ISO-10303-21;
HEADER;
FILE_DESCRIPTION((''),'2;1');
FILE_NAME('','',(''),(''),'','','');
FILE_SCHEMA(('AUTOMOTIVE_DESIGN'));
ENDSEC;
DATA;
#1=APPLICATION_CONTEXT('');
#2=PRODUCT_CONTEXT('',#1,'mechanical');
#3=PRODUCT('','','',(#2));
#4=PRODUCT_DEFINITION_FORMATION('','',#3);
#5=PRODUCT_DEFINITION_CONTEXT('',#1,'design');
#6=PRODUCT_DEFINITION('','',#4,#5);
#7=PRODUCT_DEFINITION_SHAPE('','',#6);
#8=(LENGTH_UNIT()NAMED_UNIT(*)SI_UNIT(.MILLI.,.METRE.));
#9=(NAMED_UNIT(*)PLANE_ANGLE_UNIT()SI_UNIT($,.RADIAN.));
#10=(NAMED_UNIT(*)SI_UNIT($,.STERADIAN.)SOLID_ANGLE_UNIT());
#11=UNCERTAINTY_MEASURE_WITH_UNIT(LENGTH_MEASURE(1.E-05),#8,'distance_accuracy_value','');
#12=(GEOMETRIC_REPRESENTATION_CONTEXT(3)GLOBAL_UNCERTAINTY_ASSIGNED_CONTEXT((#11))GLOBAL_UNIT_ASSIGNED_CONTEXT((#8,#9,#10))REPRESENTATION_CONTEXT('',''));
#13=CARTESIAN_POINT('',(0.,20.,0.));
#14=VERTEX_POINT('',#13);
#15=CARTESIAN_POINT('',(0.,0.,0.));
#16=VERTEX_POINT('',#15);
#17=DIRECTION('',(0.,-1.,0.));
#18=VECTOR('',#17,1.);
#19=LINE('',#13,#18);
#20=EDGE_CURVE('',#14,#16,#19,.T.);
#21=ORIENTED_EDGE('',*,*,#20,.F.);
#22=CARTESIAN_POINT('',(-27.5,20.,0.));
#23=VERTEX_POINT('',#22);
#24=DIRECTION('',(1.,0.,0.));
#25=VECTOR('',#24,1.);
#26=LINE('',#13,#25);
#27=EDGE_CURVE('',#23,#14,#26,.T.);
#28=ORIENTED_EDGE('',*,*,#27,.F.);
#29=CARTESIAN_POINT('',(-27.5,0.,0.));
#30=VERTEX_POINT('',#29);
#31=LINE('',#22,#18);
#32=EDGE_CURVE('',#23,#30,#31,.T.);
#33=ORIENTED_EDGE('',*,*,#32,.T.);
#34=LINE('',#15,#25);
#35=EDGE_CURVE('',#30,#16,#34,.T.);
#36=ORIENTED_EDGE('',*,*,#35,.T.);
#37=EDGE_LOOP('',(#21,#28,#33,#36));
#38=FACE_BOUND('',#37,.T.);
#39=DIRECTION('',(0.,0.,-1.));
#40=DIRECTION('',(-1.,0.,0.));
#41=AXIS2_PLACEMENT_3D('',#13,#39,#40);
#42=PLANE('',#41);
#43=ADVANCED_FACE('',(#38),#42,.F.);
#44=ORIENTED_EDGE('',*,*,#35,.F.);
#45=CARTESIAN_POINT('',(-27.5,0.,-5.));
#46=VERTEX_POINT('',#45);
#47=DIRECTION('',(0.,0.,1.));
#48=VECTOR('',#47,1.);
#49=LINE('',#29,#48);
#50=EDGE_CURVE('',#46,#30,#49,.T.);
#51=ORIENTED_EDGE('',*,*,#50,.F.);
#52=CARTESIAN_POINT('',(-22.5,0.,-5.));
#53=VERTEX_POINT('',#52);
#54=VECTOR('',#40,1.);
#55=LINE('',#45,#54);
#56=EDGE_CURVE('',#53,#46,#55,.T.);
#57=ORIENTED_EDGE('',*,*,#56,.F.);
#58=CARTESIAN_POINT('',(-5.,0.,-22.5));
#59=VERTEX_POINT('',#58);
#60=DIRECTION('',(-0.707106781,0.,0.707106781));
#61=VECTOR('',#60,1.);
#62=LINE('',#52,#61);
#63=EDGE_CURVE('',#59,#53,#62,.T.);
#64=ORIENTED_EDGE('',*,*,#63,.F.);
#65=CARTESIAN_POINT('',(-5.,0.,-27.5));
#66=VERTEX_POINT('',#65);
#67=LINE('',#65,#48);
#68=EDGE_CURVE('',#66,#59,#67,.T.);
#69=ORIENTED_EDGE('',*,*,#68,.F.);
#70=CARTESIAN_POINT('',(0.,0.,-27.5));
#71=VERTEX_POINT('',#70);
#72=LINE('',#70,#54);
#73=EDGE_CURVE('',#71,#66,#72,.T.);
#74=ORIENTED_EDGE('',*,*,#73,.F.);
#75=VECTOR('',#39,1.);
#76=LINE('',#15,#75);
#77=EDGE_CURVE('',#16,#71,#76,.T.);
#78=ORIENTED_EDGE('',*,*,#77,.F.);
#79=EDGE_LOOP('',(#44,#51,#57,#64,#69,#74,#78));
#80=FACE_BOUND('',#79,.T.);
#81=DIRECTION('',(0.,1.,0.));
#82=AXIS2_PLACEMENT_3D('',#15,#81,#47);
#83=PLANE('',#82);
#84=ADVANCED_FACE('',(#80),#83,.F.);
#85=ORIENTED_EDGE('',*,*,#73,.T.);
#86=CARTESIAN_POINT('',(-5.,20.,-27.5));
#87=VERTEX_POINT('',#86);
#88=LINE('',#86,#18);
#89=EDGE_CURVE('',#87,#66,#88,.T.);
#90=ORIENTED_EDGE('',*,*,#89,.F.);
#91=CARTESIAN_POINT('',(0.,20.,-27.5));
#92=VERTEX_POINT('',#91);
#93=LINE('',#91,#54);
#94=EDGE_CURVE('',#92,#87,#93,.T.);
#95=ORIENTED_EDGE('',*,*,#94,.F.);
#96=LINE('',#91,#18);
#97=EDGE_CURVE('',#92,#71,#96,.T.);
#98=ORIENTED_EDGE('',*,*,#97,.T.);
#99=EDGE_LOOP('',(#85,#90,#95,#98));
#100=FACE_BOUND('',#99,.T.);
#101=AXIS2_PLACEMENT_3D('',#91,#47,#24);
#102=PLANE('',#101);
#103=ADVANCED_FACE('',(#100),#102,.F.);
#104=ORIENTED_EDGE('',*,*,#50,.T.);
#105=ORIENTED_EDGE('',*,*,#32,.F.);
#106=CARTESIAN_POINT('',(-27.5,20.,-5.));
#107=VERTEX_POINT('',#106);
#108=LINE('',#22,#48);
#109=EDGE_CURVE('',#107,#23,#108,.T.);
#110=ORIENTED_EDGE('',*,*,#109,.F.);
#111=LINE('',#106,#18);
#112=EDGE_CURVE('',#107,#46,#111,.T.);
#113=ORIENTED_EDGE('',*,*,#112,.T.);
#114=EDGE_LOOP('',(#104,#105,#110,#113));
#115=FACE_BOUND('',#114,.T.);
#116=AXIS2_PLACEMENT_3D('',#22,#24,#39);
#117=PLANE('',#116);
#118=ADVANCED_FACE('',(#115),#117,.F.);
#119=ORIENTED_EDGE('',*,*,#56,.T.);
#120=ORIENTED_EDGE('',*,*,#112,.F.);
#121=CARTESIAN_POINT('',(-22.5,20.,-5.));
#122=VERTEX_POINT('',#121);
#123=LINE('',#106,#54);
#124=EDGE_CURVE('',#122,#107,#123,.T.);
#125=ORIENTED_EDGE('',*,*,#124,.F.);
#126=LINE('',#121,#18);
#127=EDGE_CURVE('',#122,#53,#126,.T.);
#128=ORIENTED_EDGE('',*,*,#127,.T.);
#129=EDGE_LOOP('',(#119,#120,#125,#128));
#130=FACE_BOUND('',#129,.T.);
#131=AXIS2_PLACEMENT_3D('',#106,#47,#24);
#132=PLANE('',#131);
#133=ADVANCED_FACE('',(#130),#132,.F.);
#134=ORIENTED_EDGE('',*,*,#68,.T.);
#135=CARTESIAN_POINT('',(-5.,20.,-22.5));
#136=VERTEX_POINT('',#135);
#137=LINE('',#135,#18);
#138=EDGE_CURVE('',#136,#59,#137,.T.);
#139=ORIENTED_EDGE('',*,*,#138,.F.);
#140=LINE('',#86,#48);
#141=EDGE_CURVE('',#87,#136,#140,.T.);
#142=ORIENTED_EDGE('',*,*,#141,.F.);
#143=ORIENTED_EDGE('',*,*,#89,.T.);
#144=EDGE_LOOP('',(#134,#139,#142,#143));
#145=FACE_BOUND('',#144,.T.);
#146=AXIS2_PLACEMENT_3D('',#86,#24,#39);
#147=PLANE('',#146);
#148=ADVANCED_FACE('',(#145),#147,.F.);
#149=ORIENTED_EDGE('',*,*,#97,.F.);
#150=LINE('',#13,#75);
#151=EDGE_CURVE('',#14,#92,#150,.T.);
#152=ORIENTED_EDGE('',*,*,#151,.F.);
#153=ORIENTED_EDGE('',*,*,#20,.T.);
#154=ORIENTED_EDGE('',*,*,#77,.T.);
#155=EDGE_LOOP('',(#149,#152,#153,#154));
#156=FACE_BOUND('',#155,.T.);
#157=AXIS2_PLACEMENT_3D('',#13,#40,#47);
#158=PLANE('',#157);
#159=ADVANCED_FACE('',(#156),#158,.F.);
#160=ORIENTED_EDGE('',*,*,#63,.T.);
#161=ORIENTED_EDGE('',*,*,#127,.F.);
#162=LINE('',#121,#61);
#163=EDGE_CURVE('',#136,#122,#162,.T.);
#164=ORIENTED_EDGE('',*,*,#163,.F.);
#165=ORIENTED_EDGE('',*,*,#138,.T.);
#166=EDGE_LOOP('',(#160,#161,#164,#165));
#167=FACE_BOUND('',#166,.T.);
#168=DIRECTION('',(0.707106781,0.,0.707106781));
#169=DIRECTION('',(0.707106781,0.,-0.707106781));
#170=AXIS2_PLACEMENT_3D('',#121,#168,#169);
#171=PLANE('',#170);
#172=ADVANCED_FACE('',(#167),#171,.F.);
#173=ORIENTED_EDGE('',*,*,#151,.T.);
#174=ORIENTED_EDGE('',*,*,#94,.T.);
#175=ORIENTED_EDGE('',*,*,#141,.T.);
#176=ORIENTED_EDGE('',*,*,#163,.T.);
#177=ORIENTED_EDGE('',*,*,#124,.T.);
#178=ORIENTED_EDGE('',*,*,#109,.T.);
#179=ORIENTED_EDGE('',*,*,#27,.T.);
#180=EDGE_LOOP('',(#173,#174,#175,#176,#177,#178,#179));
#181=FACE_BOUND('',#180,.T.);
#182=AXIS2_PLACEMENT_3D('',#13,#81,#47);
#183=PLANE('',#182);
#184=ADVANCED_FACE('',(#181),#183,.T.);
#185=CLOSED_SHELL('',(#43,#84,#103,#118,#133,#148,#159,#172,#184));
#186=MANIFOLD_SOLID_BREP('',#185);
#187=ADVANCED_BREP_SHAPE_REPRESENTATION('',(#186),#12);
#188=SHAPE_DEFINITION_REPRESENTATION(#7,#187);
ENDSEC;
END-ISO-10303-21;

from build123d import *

# Parameters (mm, degrees)
BOSS_EXTRUDE1_DEPTH = 20


with BuildPart() as part:
    # Sketch1 → Boss-Extrude1 (new body)
    with BuildSketch(Plane(origin=(0, 0, 0), x_dir=(1, 0, 0), z_dir=(0, 1, 0))):
        Polygon((0, 0), (-27.5, 0), (-27.5, 5), (-22.5, 5), (-5, 22.5), (-5, 27.5), (0, 27.5), align=None)
    extrude(amount=BOSS_EXTRUDE1_DEPTH)


solid = part.part
